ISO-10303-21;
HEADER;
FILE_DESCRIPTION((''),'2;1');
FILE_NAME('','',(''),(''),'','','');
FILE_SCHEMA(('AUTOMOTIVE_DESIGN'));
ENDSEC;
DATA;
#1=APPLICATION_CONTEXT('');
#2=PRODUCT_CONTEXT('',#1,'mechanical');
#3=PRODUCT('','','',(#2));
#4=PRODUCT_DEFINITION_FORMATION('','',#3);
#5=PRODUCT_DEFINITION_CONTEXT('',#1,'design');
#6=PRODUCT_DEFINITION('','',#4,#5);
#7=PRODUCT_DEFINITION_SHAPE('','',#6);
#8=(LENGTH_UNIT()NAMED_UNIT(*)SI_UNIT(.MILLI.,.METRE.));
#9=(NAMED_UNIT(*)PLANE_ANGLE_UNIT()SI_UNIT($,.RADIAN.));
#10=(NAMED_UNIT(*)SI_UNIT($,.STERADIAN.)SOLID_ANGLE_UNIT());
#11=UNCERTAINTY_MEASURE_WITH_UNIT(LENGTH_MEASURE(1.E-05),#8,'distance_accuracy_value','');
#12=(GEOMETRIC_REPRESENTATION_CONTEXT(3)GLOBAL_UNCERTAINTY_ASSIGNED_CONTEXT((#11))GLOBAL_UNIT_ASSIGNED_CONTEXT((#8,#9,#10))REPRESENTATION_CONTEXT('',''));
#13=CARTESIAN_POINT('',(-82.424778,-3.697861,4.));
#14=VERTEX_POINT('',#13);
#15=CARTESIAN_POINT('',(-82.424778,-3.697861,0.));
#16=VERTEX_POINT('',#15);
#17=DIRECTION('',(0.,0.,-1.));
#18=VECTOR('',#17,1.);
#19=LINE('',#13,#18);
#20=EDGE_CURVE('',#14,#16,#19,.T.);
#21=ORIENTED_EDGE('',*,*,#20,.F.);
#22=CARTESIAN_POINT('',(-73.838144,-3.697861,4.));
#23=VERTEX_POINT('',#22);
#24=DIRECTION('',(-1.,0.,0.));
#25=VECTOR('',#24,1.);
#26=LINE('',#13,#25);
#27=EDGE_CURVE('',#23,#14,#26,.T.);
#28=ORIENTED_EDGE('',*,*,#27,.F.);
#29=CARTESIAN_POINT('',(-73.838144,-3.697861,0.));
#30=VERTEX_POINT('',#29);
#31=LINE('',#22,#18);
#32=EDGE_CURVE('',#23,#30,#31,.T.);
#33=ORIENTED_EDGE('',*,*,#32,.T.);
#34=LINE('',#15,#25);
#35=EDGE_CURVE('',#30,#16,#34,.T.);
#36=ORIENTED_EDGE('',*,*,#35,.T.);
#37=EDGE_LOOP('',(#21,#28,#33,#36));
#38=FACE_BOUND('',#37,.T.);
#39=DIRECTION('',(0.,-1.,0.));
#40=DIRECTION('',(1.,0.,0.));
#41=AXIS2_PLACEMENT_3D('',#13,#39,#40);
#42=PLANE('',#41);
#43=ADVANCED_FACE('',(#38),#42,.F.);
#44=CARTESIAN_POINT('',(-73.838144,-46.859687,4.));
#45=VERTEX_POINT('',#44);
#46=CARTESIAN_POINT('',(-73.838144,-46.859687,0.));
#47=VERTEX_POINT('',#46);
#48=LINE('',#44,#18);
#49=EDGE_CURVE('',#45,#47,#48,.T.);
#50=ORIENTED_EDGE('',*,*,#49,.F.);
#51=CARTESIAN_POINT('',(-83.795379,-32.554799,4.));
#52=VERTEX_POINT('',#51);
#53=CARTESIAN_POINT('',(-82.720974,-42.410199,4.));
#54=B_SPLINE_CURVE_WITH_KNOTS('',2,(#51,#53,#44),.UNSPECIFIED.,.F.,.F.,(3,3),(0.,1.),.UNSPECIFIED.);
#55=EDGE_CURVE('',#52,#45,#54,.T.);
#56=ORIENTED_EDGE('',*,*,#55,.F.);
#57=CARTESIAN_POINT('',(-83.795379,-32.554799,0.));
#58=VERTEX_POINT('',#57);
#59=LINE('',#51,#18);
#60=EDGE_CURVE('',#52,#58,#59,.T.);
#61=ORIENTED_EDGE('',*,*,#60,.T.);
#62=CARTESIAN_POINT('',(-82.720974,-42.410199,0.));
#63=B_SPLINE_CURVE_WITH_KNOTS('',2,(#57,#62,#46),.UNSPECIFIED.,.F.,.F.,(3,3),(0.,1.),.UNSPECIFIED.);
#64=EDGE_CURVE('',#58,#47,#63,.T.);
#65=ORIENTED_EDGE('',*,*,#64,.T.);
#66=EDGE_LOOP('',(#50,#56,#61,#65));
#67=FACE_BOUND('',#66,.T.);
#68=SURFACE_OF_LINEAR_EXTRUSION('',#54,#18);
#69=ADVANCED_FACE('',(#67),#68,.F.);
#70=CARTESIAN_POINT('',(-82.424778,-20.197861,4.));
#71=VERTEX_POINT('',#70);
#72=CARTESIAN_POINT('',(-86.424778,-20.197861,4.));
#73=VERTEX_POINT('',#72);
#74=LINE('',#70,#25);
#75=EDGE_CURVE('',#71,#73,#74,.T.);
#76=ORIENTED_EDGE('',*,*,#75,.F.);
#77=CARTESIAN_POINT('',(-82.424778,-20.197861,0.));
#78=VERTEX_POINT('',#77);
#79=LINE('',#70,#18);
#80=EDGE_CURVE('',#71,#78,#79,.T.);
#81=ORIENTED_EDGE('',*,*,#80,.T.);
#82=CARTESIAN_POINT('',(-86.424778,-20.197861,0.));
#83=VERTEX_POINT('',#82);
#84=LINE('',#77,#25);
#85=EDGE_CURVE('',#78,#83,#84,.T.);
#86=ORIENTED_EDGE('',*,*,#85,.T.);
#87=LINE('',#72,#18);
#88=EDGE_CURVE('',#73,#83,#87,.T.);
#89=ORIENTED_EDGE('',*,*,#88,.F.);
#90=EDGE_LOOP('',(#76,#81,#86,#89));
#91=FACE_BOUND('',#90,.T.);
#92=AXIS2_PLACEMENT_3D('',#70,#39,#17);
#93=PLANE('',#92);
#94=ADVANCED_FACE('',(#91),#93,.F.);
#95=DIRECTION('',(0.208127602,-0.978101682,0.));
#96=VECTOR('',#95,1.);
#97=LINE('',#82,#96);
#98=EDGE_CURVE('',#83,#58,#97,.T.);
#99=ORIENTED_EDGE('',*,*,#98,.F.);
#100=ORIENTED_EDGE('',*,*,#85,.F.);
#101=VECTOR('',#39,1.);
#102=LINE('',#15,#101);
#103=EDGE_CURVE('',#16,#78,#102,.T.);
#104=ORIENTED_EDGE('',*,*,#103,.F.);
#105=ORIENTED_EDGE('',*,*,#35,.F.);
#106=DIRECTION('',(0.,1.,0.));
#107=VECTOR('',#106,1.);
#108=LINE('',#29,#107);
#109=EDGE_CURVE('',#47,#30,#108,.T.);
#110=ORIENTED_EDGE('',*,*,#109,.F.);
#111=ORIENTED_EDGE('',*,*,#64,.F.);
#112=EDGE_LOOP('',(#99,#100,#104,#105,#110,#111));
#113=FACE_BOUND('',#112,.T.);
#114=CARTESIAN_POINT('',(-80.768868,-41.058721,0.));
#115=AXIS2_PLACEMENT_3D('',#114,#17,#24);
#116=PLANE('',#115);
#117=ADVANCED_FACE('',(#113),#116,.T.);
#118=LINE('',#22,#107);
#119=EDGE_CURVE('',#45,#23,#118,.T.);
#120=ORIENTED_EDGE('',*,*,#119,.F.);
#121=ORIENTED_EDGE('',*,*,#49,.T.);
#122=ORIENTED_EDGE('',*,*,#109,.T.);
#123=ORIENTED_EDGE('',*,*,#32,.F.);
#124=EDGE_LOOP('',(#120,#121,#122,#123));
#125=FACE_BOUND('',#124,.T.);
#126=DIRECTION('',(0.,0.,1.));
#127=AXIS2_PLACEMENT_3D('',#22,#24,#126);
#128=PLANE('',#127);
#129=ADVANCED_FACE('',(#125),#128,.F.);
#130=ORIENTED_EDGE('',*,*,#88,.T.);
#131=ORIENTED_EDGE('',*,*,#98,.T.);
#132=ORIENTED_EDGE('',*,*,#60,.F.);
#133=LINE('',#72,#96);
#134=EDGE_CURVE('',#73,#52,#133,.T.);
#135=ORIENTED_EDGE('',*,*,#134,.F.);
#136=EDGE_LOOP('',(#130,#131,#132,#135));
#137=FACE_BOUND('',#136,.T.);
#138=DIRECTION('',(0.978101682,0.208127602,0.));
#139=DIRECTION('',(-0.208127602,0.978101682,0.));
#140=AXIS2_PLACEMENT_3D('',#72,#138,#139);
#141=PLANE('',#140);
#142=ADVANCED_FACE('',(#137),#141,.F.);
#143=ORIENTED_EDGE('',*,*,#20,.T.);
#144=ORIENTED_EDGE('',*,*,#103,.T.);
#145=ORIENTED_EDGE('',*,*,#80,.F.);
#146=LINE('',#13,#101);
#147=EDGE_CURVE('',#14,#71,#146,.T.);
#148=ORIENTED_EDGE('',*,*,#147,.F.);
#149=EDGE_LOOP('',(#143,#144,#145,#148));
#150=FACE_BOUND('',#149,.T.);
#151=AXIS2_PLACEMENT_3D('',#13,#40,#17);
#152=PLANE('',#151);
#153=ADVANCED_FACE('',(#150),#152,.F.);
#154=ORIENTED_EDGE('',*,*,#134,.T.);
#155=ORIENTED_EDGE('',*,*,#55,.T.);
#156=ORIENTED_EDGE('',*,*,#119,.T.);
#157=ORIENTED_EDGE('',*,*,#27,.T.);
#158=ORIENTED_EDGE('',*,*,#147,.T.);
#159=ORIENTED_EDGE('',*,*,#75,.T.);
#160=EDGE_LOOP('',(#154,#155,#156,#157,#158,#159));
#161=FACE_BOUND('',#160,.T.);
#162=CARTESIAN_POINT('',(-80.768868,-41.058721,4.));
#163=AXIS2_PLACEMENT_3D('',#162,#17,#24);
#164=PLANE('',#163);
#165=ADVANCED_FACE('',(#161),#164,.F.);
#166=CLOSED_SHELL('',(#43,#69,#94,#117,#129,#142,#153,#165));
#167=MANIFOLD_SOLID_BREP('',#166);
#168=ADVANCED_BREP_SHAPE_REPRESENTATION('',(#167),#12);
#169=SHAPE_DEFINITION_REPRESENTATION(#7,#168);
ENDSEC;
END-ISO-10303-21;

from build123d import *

# Parameters (mm, degrees)
EXTRUDE_1_DEPTH = 4


with BuildPart() as part:
    # Эскиз1 → Бобышка-Вытянуть1 (new body)
    with BuildSketch(Plane.XY):
        with BuildLine():
            Line((-82.424778316, -3.697860687), (-73.838144401, -3.697860687))
            Line((-73.838144401, -3.697860687), (-73.838144401, -46.859686904))
            add(Edge.make_bspline(
                [(-83.795378854, -32.554799456), (-82.720974338, -42.41019878), (-73.838144401, -46.859686904)],
                knots=[0, 0, 0, 1, 1, 1], degree=2))
            Line((-83.795378854, -32.554799456), (-86.424778316, -20.197860687))
            Line((-86.424778316, -20.197860687), (-82.424778316, -20.197860687))
            Line((-82.424778316, -20.197860687), (-82.424778316, -3.697860687))
        make_face()
    extrude(amount=EXTRUDE_1_DEPTH)


solid = part.part
